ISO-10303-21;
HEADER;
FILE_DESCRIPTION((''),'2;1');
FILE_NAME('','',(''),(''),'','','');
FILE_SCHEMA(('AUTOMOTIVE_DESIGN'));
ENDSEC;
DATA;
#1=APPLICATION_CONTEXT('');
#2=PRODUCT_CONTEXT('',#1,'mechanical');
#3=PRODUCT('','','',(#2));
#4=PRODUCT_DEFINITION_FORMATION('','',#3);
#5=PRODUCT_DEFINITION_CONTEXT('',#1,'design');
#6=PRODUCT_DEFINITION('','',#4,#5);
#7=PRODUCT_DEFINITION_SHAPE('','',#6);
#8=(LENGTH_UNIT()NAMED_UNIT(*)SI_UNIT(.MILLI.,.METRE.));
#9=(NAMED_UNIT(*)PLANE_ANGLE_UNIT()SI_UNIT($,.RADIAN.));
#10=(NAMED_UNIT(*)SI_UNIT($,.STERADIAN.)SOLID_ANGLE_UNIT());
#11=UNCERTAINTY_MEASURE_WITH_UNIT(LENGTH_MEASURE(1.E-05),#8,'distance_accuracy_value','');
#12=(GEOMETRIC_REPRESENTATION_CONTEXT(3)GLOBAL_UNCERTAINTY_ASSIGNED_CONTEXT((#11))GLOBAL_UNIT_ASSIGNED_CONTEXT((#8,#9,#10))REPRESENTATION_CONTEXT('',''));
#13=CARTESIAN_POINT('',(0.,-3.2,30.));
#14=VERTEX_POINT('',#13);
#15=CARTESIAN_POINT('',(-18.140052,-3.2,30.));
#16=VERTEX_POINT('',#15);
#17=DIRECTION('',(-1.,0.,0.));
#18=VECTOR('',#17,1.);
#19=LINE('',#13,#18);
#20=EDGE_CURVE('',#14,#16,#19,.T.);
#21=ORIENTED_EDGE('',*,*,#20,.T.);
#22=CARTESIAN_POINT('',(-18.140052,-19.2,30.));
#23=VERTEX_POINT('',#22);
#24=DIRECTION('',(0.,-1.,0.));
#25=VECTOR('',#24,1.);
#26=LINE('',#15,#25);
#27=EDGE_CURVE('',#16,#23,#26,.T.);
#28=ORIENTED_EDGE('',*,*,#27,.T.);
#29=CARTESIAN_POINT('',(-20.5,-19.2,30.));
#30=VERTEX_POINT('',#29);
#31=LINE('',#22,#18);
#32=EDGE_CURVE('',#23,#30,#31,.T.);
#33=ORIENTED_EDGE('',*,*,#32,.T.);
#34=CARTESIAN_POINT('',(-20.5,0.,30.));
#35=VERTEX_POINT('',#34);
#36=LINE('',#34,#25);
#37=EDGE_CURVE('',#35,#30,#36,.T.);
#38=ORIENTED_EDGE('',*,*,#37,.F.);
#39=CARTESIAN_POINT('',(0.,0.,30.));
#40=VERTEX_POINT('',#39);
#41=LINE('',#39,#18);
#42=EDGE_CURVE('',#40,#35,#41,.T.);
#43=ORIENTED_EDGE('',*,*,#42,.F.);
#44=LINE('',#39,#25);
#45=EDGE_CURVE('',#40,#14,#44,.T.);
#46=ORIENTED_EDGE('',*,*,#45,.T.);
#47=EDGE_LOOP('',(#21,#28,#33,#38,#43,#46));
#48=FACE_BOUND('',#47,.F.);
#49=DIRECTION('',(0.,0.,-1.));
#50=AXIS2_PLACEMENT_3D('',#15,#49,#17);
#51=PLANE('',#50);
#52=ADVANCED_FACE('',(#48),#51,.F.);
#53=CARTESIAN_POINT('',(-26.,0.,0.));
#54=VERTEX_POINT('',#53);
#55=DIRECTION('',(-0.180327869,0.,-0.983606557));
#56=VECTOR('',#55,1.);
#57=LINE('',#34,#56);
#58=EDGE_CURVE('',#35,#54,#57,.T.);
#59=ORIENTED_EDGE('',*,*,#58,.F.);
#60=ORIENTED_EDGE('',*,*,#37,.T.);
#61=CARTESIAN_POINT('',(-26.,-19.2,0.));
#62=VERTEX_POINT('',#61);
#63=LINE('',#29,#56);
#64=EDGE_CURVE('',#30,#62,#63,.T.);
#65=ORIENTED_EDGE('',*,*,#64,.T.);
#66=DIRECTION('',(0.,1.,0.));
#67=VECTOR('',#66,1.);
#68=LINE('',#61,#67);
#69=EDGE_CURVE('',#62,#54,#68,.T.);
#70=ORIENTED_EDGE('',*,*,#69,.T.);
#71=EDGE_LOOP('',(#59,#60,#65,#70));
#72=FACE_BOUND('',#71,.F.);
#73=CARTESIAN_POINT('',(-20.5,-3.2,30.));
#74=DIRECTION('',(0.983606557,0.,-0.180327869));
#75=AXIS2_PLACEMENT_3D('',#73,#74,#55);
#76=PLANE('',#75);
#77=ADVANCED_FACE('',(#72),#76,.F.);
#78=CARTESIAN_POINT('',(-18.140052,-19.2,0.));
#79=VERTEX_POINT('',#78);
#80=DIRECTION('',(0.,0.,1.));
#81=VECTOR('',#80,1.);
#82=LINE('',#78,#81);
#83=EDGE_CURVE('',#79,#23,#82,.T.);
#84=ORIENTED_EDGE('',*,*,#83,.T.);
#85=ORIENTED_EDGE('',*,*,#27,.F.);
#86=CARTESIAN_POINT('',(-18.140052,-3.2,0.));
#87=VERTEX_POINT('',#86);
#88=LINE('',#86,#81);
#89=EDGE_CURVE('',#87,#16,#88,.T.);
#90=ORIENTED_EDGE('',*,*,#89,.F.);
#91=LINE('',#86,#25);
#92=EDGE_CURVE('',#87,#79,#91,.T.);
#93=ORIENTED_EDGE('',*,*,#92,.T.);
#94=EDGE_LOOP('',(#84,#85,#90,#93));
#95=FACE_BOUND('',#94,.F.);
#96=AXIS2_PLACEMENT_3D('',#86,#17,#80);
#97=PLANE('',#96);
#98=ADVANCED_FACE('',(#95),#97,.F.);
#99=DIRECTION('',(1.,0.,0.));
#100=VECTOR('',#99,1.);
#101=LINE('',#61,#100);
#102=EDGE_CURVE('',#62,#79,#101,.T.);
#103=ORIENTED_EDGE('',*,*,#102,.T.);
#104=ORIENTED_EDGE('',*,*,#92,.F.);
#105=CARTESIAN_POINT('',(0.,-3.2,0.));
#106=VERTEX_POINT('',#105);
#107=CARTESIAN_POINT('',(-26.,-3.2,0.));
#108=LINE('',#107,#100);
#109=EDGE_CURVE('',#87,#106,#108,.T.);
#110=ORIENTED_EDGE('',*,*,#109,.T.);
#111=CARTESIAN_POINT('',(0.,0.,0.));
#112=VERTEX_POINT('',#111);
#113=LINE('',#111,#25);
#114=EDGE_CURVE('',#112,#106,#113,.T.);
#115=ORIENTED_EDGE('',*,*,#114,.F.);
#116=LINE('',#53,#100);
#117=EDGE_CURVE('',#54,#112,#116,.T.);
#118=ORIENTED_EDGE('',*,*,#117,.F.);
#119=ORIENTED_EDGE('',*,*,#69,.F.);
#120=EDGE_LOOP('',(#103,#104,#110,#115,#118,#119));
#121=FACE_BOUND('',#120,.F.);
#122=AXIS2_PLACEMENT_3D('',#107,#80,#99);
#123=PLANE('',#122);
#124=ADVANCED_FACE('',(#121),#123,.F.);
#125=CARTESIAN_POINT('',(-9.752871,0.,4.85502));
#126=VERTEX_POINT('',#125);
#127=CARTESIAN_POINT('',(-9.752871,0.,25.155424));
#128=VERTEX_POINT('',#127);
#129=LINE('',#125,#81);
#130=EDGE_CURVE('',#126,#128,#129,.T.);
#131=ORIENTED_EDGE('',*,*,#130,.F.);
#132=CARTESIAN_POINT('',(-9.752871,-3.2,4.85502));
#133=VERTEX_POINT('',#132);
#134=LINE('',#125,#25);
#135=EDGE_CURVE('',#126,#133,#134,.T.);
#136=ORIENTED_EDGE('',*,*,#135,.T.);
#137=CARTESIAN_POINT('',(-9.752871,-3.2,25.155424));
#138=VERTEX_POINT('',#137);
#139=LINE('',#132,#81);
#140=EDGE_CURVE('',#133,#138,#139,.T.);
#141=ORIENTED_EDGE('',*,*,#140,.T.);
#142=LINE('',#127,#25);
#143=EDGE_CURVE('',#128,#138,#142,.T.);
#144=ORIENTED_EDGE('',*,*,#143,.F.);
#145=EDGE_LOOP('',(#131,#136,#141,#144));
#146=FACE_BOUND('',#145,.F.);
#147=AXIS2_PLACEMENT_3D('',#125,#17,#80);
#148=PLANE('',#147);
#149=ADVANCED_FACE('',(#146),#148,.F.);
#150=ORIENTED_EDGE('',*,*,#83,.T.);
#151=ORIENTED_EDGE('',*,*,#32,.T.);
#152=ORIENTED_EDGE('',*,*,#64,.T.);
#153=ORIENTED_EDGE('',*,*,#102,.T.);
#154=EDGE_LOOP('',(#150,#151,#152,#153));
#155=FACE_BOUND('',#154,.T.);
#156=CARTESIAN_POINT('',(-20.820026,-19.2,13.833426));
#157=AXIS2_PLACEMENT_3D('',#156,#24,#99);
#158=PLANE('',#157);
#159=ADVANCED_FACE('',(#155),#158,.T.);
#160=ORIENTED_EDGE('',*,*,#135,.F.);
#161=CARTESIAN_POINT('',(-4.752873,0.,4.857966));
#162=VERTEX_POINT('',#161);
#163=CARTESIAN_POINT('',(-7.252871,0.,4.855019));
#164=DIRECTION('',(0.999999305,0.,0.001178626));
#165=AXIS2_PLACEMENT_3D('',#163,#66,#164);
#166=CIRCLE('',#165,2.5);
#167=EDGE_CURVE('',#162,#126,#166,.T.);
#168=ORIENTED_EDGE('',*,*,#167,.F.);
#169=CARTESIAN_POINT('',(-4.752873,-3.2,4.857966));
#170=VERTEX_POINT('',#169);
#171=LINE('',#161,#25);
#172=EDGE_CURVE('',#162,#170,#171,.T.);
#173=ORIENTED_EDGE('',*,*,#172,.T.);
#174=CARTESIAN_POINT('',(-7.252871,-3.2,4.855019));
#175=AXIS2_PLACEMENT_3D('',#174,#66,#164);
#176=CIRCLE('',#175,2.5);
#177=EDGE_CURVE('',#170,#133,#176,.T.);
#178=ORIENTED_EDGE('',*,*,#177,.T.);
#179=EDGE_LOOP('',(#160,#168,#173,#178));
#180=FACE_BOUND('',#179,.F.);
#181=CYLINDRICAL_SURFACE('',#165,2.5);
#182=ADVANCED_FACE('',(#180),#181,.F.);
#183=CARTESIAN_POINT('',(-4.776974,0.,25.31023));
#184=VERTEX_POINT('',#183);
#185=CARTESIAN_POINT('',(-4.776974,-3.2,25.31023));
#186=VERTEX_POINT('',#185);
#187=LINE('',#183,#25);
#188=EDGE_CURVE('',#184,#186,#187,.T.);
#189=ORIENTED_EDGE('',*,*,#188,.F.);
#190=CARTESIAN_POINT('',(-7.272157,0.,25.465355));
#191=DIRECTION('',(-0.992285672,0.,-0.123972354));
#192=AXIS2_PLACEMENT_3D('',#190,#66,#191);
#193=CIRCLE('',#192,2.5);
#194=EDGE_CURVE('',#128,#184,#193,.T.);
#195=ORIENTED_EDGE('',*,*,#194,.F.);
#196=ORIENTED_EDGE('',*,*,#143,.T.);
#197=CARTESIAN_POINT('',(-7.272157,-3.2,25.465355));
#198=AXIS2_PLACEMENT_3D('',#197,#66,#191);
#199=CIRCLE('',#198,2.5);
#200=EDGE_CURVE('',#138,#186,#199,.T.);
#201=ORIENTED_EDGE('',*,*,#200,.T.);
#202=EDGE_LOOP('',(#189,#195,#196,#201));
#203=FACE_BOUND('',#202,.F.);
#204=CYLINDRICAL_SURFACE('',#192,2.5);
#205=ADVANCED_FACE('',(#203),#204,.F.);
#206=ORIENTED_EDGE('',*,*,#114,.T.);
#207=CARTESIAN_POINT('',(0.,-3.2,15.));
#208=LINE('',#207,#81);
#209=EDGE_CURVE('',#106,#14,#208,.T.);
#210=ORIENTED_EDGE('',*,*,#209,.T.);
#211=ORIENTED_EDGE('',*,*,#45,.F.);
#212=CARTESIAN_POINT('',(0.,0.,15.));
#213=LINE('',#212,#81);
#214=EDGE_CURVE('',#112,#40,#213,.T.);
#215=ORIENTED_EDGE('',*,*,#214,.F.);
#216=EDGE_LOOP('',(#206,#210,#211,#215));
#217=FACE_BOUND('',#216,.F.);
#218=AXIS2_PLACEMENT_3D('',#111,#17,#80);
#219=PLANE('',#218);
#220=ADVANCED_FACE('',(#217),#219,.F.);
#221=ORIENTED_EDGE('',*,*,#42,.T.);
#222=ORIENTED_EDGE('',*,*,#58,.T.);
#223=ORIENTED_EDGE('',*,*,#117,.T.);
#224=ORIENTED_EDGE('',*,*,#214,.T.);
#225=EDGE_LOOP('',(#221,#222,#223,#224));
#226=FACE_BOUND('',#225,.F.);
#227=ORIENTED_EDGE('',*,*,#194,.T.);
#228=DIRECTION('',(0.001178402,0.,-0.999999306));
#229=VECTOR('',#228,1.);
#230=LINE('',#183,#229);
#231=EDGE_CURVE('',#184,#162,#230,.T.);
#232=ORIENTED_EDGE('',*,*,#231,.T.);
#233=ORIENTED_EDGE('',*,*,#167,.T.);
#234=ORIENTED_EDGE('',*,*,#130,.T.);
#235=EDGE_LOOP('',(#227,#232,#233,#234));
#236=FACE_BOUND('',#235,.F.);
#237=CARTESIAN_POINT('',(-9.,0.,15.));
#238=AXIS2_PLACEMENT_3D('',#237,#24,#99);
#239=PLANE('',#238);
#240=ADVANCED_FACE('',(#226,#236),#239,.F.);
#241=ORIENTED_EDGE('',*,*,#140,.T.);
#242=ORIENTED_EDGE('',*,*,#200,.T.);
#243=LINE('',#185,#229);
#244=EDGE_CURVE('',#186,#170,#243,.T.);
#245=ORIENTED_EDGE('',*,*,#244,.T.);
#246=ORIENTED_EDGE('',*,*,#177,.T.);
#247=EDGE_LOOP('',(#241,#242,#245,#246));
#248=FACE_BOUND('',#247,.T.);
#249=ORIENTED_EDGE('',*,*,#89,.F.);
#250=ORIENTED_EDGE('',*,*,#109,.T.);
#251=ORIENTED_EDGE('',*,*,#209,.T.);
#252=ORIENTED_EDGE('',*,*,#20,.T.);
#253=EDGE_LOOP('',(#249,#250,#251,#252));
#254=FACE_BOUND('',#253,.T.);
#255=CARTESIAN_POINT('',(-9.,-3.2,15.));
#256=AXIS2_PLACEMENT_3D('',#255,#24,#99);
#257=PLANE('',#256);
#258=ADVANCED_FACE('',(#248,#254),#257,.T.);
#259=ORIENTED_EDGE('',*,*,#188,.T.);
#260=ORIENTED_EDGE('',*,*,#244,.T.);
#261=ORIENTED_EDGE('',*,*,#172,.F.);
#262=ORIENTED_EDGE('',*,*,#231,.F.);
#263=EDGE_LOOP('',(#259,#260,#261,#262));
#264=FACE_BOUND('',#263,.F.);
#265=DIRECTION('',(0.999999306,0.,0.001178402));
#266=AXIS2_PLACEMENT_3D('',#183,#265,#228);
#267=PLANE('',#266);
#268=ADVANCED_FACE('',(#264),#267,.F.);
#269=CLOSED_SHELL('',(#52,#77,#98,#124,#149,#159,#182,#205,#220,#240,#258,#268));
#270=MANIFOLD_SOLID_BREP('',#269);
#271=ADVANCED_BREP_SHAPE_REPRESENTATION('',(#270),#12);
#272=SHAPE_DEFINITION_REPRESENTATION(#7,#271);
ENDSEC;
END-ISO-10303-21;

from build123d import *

# Parameters (mm, degrees)
F0_W     = 18
F0_H     = 30
F1_DEPTH = 3.2
F3_DEPTH = 16


with BuildPart() as f1:
    # F0 (on Front) → F1 (new body)
    with BuildSketch(Plane.XZ):
        with Locations((-9, 15)):
            Rectangle(F0_W, F0_H)
        with BuildLine():
            ThreePointArc((-9.752871, 25.155424), (-7.349897, 27.964146), (-4.776974, 25.31023))
            Line((-4.776974, 25.31023), (-4.752873, 4.857966))
            ThreePointArc((-4.752873, 4.857966), (-7.251398, 2.35502), (-9.752871, 4.85502))
            Line((-9.752871, 4.85502), (-9.752871, 25.155424))
        make_face(mode=Mode.SUBTRACT)
        Polygon((-18, 0), (-18, 30), (-20.5, 30), (-26, 0), align=None)
    extrude(amount=F1_DEPTH)

    # F2 (on face) → F3 (join)
    with BuildSketch(Plane.XZ.offset(3.2)):
        Polygon((-18.140052, 0), (-18.140052, 30), (-20.5, 30), (-26, 0), align=None)
    extrude(amount=F3_DEPTH)


solid = f1.part
